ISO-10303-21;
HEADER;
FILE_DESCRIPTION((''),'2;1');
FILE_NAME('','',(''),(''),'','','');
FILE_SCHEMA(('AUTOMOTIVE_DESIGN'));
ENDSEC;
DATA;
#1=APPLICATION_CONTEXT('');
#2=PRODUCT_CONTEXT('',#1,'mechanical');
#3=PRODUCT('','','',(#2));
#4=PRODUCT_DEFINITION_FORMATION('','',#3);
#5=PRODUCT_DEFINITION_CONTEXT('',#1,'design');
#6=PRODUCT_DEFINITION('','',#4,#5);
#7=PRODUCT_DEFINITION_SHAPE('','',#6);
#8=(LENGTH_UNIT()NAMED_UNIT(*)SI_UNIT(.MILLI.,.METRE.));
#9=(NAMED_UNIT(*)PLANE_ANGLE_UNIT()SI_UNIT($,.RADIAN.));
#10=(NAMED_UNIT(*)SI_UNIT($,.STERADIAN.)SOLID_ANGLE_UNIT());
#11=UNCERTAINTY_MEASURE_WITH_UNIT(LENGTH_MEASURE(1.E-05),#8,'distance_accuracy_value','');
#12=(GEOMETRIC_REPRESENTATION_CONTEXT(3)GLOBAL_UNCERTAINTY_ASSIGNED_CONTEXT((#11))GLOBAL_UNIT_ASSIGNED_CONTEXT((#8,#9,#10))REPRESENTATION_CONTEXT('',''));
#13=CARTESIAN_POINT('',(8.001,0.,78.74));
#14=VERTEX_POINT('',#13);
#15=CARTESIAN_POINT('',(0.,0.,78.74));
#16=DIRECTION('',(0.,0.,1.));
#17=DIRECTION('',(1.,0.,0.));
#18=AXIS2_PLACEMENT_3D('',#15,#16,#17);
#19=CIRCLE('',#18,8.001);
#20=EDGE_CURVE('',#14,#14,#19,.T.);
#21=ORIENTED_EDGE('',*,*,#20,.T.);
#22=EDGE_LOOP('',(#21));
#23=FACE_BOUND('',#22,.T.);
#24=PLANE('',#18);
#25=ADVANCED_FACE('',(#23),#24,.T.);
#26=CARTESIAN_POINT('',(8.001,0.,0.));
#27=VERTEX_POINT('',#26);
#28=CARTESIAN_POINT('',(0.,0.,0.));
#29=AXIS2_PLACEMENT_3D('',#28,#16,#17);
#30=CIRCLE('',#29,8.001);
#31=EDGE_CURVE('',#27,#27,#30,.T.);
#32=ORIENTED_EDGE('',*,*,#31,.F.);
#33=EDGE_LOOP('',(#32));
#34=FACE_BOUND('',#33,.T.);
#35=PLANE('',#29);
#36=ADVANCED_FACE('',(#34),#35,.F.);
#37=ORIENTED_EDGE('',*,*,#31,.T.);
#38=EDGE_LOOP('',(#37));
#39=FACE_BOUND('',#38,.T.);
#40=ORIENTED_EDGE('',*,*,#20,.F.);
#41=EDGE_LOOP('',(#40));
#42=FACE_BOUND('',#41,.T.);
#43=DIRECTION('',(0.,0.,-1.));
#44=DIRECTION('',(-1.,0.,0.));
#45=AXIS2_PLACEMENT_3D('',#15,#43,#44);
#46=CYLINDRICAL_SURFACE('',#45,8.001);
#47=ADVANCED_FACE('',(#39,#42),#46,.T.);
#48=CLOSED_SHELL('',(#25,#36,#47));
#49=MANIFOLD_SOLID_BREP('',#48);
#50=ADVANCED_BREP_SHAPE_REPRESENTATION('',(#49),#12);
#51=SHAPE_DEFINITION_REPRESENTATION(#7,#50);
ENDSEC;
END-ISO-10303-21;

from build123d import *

# Parameters (mm, degrees)
SKETCH1_R           = 8.001
BOSS_EXTRUDE1_DEPTH = 78.74


with BuildPart() as part:
    # Sketch1 → Boss-Extrude1 (new body)
    with BuildSketch(Plane.XY):
        Circle(SKETCH1_R)
    extrude(amount=BOSS_EXTRUDE1_DEPTH)


solid = part.part
